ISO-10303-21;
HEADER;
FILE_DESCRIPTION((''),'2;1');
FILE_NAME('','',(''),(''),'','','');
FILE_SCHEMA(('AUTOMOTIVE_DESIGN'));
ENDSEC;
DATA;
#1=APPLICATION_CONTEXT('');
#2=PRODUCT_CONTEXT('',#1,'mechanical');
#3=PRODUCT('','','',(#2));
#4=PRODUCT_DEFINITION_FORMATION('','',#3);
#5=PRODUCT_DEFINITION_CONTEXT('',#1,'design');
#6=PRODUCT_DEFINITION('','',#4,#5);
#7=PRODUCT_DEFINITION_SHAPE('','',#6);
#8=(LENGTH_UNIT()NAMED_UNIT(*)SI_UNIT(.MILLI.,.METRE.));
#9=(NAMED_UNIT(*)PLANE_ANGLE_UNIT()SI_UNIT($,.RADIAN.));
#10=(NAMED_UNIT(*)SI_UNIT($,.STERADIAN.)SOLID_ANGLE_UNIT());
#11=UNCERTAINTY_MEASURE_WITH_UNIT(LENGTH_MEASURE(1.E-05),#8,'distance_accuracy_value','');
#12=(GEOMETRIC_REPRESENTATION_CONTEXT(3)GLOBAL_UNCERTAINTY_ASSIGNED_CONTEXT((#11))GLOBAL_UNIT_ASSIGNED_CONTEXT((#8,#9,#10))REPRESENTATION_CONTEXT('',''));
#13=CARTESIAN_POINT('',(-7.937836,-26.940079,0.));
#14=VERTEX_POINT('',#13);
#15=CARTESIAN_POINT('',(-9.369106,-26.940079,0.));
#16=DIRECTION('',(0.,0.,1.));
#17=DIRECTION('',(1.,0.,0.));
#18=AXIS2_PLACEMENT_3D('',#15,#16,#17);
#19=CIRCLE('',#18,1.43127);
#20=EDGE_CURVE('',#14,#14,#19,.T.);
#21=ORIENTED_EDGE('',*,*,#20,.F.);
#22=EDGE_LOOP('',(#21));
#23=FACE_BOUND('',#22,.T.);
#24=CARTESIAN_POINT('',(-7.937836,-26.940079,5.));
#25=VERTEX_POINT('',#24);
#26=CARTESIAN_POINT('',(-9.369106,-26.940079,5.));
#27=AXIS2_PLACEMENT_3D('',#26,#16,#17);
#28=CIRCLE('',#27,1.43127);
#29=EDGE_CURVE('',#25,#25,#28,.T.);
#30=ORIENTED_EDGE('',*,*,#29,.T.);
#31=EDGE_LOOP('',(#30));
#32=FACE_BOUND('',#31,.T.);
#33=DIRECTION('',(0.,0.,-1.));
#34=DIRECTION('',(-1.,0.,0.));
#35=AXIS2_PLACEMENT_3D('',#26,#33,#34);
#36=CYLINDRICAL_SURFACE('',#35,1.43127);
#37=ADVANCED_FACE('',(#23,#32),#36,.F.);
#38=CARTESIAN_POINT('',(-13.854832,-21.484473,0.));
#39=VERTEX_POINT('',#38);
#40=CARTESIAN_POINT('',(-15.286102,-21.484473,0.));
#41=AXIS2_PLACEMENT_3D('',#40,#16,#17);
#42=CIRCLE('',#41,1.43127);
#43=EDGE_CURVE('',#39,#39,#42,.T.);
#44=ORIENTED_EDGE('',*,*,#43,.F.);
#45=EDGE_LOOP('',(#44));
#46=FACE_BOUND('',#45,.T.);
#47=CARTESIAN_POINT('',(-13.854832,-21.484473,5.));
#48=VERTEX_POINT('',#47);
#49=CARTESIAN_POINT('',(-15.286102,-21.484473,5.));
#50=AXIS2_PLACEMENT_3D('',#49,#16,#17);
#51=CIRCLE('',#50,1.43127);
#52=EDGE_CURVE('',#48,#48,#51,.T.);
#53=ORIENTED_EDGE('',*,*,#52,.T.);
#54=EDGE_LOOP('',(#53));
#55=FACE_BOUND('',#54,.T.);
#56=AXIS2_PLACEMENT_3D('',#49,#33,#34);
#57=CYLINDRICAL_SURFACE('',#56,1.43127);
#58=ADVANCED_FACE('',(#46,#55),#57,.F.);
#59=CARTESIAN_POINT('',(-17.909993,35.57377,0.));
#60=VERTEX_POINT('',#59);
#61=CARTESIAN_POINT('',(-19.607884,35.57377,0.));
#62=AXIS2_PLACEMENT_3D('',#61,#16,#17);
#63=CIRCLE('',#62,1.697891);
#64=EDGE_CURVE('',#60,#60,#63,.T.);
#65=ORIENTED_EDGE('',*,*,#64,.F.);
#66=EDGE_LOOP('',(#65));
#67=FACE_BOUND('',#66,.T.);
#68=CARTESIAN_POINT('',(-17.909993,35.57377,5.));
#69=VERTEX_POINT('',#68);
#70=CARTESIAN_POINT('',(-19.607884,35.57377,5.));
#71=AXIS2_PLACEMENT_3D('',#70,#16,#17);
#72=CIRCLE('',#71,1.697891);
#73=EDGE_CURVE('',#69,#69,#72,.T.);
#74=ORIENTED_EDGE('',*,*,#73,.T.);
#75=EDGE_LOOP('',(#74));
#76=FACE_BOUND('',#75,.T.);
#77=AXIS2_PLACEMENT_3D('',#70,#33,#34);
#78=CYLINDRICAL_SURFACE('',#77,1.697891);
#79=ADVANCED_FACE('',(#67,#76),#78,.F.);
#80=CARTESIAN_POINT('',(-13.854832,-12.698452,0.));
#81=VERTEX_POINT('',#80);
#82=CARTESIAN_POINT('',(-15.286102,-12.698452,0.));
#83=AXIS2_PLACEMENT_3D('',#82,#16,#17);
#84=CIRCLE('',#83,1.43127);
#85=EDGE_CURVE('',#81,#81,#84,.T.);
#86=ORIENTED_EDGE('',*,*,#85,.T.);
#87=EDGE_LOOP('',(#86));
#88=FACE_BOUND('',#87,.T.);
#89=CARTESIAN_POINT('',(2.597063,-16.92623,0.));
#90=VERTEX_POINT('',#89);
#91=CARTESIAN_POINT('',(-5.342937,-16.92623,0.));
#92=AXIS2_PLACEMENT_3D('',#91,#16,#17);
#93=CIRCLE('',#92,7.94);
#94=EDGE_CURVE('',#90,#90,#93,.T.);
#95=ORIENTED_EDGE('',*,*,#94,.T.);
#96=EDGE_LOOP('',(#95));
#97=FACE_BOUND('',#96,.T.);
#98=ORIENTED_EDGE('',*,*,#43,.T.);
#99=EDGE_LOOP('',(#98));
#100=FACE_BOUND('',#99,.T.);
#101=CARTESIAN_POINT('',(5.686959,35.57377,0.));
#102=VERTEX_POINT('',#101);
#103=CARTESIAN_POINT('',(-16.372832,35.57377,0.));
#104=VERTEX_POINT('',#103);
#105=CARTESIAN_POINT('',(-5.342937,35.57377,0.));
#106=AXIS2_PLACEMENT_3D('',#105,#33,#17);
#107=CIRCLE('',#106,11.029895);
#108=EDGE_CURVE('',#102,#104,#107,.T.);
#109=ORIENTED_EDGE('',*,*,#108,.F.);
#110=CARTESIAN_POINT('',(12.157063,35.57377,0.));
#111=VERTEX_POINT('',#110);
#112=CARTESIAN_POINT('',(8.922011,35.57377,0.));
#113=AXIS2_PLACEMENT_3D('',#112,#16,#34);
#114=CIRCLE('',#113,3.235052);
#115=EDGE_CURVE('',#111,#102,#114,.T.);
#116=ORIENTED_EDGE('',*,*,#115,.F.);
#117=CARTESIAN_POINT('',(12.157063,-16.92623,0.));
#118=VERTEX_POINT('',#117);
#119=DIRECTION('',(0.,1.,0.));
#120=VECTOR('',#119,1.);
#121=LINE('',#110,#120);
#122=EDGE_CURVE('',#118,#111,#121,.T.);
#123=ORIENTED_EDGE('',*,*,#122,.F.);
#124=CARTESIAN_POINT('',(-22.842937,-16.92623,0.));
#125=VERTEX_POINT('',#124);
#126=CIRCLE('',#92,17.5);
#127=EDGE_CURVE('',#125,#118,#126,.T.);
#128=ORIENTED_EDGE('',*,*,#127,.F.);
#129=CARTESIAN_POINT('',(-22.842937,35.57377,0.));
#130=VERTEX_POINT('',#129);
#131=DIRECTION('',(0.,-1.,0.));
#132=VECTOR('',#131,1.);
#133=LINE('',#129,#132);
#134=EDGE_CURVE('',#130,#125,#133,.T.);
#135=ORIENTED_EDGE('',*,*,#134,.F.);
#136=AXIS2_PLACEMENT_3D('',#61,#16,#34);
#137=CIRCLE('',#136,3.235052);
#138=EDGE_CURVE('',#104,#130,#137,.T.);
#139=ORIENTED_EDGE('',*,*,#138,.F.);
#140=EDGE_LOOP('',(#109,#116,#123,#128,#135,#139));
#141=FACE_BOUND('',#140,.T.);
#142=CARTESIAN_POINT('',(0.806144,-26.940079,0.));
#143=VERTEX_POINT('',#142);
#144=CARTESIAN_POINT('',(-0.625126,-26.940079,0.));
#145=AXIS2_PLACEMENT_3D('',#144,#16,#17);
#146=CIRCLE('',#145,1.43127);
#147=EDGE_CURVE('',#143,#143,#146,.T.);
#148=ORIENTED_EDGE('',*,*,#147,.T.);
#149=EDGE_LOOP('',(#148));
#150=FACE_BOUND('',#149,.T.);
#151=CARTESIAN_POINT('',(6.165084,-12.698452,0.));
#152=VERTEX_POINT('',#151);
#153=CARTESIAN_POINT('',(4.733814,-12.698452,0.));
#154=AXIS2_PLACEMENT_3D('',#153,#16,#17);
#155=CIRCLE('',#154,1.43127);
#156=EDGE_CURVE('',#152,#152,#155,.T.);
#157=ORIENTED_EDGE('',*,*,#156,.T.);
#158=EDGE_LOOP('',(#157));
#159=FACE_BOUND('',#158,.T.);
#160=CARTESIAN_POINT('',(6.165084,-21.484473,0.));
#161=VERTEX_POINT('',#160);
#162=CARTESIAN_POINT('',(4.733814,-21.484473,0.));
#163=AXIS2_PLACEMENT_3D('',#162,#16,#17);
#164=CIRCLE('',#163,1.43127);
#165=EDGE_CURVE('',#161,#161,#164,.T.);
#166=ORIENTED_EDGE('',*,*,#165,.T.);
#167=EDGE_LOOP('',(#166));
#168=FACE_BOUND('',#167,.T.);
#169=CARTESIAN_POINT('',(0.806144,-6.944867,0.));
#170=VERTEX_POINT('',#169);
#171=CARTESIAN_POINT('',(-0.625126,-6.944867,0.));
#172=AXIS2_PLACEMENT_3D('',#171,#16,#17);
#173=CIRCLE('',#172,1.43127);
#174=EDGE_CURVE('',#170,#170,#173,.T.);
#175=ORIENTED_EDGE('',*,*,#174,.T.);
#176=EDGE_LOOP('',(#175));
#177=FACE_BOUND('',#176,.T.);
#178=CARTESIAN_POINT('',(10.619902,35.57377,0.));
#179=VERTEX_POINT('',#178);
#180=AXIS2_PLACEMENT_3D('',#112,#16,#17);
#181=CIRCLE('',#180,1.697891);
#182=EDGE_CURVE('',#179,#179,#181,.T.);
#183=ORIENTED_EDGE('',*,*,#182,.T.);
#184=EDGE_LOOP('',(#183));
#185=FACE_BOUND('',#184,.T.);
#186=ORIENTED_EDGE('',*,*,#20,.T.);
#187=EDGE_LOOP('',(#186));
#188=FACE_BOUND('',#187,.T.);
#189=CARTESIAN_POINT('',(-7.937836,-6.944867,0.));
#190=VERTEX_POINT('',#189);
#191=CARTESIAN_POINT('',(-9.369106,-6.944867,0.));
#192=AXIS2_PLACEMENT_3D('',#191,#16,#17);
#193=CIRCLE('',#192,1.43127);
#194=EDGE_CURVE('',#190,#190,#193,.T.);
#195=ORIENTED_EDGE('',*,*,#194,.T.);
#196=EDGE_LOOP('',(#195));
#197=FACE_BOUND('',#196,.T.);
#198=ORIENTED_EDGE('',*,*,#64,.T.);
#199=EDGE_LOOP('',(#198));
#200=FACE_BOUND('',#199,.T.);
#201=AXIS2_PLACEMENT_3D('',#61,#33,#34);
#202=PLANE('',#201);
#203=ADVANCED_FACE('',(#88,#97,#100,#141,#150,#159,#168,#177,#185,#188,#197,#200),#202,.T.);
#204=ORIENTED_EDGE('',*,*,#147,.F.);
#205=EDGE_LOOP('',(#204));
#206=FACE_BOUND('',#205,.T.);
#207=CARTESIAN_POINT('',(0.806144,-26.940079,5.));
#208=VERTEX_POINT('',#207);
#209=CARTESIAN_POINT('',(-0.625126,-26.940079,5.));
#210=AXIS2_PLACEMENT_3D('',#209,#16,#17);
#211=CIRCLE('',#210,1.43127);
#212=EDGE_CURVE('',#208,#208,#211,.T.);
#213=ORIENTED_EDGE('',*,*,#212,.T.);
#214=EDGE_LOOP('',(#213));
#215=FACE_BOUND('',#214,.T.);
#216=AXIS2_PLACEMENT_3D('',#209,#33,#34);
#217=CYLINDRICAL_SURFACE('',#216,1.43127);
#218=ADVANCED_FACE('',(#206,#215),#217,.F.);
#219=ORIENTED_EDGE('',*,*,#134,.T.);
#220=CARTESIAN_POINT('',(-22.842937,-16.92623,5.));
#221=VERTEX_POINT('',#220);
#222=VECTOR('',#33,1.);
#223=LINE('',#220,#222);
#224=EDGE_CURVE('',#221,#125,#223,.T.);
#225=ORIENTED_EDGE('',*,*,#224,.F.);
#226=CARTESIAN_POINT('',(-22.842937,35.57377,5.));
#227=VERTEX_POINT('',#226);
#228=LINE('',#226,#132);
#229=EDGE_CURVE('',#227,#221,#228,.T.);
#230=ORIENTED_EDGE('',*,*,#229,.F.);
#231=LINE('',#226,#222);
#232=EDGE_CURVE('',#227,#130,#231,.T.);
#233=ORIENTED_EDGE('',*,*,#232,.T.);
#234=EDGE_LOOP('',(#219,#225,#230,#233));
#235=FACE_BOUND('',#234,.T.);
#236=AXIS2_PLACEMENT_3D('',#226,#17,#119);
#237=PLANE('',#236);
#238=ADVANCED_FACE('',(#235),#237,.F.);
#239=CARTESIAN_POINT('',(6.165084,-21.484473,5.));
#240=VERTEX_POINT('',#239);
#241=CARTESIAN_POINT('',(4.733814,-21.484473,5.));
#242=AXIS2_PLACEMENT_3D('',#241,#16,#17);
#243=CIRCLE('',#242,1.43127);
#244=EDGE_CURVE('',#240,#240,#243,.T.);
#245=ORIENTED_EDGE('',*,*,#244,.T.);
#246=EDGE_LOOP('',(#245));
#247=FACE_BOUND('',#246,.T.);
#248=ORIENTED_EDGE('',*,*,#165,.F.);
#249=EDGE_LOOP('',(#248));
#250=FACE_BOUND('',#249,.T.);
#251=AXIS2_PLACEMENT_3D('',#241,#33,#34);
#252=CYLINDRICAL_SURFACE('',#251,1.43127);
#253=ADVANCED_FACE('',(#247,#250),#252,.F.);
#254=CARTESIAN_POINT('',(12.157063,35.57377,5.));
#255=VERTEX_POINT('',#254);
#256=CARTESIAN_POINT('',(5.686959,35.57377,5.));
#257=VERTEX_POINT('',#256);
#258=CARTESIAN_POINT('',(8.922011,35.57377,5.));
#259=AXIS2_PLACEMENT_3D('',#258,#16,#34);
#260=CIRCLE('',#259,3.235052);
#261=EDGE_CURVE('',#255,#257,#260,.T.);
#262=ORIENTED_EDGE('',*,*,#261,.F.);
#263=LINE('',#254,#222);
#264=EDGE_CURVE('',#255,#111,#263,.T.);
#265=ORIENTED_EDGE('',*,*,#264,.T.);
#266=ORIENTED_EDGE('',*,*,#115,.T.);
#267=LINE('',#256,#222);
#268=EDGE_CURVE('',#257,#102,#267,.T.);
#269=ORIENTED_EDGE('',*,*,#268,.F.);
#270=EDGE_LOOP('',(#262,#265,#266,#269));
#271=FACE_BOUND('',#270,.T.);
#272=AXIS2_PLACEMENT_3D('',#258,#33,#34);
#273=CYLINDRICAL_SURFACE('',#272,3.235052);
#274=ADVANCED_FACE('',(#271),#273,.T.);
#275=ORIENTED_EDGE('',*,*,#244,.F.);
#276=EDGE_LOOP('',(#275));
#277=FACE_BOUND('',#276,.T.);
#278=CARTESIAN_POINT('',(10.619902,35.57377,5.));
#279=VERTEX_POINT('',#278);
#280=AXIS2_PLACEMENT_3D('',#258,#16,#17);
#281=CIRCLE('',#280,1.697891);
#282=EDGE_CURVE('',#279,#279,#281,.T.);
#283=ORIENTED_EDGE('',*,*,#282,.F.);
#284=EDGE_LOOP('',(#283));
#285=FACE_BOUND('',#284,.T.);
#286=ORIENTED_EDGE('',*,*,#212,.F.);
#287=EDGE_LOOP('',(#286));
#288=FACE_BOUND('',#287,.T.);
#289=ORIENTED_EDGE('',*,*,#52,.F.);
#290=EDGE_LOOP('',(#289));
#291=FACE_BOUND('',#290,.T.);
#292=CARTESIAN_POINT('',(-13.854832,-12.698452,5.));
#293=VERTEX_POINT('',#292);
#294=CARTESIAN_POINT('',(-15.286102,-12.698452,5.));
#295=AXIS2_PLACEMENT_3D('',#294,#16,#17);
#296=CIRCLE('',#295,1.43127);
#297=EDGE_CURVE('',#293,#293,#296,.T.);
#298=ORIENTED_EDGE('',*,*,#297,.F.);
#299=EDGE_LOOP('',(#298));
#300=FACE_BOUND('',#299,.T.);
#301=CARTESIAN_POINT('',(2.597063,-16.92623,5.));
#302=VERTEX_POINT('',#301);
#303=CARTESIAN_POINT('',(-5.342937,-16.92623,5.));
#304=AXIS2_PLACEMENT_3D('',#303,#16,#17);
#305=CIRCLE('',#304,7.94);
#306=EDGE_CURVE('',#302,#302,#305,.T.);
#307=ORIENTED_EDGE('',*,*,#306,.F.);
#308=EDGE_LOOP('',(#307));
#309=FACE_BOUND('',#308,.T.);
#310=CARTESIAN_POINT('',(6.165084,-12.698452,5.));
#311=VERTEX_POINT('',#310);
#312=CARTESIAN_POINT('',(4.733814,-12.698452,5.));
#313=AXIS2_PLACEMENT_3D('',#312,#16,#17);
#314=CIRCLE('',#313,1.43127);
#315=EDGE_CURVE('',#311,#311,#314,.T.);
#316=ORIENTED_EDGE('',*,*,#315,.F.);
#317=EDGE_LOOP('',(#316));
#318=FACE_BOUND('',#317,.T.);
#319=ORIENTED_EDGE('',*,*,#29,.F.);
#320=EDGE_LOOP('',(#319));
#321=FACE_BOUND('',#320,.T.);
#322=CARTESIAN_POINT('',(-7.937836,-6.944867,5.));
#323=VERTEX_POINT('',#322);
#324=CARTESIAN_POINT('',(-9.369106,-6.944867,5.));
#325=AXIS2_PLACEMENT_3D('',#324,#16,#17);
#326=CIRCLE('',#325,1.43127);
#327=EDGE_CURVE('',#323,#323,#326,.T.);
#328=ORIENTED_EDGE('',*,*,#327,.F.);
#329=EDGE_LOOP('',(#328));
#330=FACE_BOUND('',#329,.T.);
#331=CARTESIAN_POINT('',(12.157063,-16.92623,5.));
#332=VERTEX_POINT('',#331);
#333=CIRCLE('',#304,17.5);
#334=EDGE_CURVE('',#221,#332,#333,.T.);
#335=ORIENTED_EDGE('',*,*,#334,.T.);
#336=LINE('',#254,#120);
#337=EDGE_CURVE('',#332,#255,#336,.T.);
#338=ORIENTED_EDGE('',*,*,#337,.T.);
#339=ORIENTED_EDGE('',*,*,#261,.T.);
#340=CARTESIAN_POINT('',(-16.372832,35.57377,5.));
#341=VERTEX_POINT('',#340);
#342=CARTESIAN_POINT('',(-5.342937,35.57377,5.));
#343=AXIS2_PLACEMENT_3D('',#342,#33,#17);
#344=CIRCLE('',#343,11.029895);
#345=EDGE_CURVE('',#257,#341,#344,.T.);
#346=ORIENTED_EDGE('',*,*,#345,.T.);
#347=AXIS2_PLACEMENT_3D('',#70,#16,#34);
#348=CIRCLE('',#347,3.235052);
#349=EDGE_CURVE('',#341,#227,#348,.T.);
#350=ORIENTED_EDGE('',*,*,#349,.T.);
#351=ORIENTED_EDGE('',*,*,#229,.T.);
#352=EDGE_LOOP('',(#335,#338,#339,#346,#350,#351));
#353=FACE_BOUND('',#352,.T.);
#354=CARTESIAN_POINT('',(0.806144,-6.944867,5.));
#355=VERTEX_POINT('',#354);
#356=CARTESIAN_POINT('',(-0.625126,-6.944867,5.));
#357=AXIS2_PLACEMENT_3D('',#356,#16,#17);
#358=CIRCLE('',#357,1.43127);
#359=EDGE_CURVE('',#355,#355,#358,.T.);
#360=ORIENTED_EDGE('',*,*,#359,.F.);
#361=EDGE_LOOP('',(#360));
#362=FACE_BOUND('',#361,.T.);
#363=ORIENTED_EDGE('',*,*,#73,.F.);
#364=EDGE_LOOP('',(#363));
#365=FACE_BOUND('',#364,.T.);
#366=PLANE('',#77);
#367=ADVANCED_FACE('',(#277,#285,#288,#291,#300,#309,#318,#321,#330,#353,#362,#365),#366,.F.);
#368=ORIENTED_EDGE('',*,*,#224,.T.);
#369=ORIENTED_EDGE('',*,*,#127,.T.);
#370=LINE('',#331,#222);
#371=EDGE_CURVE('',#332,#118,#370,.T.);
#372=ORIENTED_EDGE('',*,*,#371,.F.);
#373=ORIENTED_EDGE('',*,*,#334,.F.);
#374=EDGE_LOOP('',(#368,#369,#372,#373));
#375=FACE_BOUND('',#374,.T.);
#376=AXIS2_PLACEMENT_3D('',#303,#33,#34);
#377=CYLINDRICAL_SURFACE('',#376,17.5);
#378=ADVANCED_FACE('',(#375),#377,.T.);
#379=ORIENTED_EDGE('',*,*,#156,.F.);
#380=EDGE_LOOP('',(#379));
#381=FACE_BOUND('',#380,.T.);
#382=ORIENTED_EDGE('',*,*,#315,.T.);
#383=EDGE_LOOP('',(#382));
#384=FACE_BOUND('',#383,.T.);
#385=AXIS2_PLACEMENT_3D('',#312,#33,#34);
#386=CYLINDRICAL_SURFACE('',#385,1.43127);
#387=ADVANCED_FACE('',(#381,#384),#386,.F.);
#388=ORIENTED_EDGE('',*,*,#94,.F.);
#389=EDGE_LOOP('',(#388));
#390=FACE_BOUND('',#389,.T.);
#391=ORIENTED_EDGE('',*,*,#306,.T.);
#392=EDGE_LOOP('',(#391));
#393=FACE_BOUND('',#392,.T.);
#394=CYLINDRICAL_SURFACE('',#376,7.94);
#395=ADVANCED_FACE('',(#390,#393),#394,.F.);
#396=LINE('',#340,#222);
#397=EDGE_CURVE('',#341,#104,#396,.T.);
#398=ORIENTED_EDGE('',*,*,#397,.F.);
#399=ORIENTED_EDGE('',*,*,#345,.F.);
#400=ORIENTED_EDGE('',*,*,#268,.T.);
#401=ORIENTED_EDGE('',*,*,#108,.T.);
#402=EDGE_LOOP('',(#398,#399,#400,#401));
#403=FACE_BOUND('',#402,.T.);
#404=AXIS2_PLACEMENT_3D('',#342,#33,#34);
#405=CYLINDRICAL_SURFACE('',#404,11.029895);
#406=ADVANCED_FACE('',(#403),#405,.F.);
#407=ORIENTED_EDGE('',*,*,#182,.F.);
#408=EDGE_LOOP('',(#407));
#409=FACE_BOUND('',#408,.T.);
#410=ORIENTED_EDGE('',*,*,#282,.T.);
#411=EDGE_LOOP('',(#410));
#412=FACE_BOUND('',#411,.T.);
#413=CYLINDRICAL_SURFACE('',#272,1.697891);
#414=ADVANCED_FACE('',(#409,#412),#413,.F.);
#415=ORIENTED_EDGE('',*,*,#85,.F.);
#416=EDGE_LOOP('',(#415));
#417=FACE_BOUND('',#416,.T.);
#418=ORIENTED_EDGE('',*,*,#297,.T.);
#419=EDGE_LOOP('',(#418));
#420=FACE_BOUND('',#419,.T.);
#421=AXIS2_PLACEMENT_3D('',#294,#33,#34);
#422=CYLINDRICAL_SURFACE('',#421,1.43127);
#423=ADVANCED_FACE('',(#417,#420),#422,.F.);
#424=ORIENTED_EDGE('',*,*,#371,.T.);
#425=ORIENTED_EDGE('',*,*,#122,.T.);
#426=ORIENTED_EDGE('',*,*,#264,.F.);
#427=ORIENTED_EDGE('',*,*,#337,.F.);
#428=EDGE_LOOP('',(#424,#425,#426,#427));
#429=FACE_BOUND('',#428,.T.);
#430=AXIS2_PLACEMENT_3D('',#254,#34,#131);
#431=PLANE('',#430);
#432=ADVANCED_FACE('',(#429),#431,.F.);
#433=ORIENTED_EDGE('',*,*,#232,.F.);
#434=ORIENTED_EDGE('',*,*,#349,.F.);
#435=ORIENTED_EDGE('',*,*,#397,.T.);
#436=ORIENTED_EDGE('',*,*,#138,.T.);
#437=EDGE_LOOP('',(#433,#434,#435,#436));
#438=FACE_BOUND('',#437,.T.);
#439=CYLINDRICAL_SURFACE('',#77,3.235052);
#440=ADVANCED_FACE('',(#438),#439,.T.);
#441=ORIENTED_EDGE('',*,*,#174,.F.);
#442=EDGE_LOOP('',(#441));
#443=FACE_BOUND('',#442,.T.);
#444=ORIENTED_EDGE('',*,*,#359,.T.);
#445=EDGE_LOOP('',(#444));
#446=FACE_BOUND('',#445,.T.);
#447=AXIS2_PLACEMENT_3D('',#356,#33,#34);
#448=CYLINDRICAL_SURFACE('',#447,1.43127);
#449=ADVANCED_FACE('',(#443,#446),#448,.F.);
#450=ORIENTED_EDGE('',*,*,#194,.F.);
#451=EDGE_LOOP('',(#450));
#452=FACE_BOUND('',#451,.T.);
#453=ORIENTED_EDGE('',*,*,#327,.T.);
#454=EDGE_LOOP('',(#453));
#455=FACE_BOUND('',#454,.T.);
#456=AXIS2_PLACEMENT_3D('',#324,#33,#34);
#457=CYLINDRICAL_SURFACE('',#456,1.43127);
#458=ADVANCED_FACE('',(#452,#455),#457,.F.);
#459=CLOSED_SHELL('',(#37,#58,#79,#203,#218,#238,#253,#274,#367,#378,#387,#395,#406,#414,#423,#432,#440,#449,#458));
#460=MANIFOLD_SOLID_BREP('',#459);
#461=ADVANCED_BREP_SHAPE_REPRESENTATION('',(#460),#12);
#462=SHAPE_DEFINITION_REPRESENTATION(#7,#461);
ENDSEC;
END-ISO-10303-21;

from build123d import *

# Parameters (mm, degrees)
SKETCH_1_R      = 7.94
SKETCH_1_R_2    = 1.697891057
SKETCH_1_R_3    = 1.431269813
EXTRUDE_1_DEPTH = 5


with BuildPart() as part:
    # 草图1 → 凸台-拉伸1 (new body)
    with BuildSketch(Plane.XY):
        with BuildLine():
            Line((-22.842936614, 35.573770492), (-22.842936614, -16.926229508))
            ThreePointArc((-22.842936614, -16.926229508), (-5.342936614, -34.426229508), (12.157063386, -16.926229508))
            Line((12.157063386, -16.926229508), (12.157063386, 35.573770492))
            ThreePointArc((12.157063386, 35.573770492), (8.922010957, 38.80882292), (5.686958528, 35.573770492))
            ThreePointArc((5.686958528, 35.573770492), (-5.342936614, 24.543875349), (-16.372831757, 35.573770492))
            ThreePointArc((-16.372831757, 35.573770492), (-19.607884186, 38.80882292), (-22.842936614, 35.573770492))
        make_face()
        with Locations((-5.342936614, -16.926229508)):
            Circle(SKETCH_1_R, mode=Mode.SUBTRACT)
        with Locations((-19.607884186, 35.573770492)):
            Circle(SKETCH_1_R_2, mode=Mode.SUBTRACT)
        with Locations((8.922010957, 35.573770492)):
            Circle(SKETCH_1_R_2, mode=Mode.SUBTRACT)
        with Locations((-9.369105652, -6.944867305)):
            Circle(SKETCH_1_R_3, mode=Mode.SUBTRACT)
        with Locations((-15.286101655, -12.698452236)):
            Circle(SKETCH_1_R_3, mode=Mode.SUBTRACT)
        with Locations((-0.625126274, -26.940078994)):
            Circle(SKETCH_1_R_3, mode=Mode.SUBTRACT)
        with Locations((-15.286101655, -21.484473196)):
            Circle(SKETCH_1_R_3, mode=Mode.SUBTRACT)
        with Locations((-9.369105652, -26.940078994)):
            Circle(SKETCH_1_R_3, mode=Mode.SUBTRACT)
        with Locations((-0.625126274, -6.944867305)):
            Circle(SKETCH_1_R_3, mode=Mode.SUBTRACT)
        with Locations((4.733813833, -12.698452236)):
            Circle(SKETCH_1_R_3, mode=Mode.SUBTRACT)
        with Locations((4.733813833, -21.484473196)):
            Circle(SKETCH_1_R_3, mode=Mode.SUBTRACT)
    extrude(amount=EXTRUDE_1_DEPTH)


solid = part.part
